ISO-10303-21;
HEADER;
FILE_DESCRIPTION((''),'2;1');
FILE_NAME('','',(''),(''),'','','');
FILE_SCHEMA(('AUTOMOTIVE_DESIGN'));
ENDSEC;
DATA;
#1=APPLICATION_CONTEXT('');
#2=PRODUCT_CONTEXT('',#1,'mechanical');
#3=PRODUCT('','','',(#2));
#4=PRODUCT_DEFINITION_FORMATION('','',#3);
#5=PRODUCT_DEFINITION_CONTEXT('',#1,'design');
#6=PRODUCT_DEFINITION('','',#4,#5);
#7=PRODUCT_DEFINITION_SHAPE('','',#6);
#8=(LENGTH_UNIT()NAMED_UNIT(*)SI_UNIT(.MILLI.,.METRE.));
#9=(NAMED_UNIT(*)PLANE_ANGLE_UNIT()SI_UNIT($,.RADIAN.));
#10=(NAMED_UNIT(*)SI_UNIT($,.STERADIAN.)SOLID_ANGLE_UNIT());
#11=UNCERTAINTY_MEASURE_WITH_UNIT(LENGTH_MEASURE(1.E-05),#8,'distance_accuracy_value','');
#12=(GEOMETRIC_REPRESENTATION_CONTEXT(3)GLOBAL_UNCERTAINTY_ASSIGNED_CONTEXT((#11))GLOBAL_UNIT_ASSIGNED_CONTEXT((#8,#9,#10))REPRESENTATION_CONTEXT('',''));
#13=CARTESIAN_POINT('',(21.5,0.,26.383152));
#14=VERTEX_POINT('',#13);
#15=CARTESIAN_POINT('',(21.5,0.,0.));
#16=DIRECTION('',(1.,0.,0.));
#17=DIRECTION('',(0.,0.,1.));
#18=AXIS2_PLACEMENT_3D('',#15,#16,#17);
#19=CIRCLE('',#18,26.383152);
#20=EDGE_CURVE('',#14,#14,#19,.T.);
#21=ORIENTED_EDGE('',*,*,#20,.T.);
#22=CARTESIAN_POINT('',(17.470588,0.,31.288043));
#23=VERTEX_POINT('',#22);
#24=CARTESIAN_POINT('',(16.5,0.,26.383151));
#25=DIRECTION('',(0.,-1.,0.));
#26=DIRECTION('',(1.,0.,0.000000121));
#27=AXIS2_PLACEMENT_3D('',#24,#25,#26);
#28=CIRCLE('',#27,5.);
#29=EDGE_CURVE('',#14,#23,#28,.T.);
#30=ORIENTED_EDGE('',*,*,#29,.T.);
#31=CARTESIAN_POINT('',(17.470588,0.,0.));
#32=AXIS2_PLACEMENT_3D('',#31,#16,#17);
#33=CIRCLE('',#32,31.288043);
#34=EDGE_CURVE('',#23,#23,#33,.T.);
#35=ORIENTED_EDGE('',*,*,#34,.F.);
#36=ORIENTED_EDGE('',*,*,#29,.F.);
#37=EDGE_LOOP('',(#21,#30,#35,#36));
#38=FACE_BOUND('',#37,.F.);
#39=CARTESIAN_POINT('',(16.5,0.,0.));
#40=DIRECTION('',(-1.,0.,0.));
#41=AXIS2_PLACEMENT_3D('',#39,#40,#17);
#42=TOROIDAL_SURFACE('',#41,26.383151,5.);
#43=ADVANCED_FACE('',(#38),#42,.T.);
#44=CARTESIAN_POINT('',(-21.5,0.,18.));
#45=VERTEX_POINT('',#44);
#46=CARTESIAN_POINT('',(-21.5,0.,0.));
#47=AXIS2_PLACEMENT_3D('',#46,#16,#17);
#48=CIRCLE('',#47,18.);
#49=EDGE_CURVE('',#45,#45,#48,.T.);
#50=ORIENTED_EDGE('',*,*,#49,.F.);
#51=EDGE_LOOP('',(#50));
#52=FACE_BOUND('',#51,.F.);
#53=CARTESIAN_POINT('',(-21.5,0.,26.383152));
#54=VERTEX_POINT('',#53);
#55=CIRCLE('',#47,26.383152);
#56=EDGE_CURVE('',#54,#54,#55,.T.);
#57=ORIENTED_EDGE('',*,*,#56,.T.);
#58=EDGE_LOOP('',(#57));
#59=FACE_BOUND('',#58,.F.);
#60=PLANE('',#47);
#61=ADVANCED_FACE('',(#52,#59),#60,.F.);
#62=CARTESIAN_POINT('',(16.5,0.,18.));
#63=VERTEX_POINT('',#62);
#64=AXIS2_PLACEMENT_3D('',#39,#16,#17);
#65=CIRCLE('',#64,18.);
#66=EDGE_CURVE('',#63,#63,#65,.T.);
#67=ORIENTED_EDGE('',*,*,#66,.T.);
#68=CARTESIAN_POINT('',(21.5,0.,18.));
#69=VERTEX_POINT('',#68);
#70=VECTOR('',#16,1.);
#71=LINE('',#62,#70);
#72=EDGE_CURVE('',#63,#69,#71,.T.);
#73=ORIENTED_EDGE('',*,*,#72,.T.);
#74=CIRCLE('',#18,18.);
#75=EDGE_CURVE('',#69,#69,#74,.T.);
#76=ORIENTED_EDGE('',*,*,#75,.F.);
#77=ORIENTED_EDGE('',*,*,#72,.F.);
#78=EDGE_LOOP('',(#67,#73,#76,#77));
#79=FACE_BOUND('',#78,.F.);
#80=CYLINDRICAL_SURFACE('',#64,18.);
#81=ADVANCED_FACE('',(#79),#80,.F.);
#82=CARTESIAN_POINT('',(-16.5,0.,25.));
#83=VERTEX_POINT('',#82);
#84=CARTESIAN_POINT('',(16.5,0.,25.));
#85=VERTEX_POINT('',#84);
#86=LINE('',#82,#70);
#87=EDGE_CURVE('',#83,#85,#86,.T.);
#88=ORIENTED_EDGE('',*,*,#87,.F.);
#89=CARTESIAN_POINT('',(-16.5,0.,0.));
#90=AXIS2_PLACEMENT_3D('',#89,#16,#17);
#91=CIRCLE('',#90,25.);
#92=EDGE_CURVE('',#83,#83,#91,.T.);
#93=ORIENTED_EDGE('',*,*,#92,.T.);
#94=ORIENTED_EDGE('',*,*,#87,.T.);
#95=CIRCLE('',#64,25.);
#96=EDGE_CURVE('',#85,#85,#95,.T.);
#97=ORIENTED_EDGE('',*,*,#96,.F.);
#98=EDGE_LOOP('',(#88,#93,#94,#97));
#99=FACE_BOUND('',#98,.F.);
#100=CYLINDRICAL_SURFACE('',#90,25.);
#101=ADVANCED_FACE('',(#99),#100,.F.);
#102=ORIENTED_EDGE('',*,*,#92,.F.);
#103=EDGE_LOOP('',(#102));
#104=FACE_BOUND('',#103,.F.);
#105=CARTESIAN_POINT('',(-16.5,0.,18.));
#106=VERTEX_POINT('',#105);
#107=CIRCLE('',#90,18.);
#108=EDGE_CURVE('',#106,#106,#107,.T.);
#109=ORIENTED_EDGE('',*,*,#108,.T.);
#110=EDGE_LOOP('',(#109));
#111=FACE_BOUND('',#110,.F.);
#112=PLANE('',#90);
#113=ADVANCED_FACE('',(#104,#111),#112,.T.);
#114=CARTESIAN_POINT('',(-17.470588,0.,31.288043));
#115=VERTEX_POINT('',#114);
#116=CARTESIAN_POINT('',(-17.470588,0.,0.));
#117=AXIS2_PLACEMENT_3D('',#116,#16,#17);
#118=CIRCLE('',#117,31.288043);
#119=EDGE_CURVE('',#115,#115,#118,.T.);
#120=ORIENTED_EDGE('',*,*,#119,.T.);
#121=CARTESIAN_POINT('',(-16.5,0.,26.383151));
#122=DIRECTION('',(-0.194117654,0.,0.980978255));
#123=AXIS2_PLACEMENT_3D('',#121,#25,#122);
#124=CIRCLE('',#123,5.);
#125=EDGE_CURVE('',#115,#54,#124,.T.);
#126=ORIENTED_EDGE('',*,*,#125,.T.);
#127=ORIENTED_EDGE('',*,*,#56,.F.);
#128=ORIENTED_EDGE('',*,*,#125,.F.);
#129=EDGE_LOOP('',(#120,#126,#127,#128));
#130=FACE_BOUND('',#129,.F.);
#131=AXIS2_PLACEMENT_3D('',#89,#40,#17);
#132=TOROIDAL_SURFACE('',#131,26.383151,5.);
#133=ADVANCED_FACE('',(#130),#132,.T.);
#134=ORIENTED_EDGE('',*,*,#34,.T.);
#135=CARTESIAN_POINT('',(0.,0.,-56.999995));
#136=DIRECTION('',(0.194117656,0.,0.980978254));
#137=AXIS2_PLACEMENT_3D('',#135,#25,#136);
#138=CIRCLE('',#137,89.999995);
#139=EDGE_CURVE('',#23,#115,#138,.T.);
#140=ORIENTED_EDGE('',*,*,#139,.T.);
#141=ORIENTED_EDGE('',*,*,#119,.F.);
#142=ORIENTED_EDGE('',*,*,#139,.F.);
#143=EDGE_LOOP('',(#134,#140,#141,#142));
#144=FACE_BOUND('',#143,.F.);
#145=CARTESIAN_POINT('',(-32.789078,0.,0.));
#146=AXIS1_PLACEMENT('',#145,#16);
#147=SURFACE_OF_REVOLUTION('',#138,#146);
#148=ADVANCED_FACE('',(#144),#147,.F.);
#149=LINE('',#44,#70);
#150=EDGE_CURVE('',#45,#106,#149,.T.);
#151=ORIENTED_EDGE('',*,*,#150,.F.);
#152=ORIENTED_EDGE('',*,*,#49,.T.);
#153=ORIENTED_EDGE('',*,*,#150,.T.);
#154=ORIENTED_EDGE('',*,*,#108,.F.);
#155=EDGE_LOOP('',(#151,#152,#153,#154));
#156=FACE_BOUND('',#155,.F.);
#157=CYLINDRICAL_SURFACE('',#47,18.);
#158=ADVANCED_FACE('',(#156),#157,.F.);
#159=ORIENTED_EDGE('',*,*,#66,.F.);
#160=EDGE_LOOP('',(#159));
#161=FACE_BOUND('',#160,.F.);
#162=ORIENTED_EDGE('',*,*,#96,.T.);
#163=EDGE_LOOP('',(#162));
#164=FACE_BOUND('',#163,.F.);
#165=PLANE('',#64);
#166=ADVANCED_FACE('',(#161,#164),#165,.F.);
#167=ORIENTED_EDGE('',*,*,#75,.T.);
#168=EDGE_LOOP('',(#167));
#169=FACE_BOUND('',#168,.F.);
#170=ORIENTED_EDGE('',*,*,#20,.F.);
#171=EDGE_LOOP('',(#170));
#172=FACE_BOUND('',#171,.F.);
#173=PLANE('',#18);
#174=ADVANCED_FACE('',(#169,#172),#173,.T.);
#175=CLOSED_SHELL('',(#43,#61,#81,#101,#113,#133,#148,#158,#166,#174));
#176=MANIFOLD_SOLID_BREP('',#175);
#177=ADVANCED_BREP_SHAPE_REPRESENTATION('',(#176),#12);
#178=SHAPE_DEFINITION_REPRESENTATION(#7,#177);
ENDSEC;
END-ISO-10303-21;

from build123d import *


with BuildPart() as f1:
    # F0 (on Front) → F1 (revolve)
    with BuildSketch(Plane.XZ):
        with BuildLine():
            Line((-21.5, 26.383152), (-21.5, 18))
            Line((-21.5, 18), (-16.5, 18))
            Line((-16.5, 18), (-16.5, 25))
            Line((-16.5, 25), (16.5, 25))
            Line((16.5, 25), (16.5, 18))
            Line((16.5, 18), (21.5, 18))
            Line((21.5, 18), (21.5, 26.383152))
            ThreePointArc((21.5, 26.383152), (20.363479, 29.557034), (17.470588, 31.288043))
            ThreePointArc((17.470588, 31.288043), (0, 33), (-17.470588, 31.288043))
            ThreePointArc((-17.470588, 31.288043), (-20.363479, 29.557034), (-21.5, 26.383152))
        make_face()
    revolve(axis=Axis((-32.789078, 0, 0), (1, 0, 0)))


solid = f1.part
